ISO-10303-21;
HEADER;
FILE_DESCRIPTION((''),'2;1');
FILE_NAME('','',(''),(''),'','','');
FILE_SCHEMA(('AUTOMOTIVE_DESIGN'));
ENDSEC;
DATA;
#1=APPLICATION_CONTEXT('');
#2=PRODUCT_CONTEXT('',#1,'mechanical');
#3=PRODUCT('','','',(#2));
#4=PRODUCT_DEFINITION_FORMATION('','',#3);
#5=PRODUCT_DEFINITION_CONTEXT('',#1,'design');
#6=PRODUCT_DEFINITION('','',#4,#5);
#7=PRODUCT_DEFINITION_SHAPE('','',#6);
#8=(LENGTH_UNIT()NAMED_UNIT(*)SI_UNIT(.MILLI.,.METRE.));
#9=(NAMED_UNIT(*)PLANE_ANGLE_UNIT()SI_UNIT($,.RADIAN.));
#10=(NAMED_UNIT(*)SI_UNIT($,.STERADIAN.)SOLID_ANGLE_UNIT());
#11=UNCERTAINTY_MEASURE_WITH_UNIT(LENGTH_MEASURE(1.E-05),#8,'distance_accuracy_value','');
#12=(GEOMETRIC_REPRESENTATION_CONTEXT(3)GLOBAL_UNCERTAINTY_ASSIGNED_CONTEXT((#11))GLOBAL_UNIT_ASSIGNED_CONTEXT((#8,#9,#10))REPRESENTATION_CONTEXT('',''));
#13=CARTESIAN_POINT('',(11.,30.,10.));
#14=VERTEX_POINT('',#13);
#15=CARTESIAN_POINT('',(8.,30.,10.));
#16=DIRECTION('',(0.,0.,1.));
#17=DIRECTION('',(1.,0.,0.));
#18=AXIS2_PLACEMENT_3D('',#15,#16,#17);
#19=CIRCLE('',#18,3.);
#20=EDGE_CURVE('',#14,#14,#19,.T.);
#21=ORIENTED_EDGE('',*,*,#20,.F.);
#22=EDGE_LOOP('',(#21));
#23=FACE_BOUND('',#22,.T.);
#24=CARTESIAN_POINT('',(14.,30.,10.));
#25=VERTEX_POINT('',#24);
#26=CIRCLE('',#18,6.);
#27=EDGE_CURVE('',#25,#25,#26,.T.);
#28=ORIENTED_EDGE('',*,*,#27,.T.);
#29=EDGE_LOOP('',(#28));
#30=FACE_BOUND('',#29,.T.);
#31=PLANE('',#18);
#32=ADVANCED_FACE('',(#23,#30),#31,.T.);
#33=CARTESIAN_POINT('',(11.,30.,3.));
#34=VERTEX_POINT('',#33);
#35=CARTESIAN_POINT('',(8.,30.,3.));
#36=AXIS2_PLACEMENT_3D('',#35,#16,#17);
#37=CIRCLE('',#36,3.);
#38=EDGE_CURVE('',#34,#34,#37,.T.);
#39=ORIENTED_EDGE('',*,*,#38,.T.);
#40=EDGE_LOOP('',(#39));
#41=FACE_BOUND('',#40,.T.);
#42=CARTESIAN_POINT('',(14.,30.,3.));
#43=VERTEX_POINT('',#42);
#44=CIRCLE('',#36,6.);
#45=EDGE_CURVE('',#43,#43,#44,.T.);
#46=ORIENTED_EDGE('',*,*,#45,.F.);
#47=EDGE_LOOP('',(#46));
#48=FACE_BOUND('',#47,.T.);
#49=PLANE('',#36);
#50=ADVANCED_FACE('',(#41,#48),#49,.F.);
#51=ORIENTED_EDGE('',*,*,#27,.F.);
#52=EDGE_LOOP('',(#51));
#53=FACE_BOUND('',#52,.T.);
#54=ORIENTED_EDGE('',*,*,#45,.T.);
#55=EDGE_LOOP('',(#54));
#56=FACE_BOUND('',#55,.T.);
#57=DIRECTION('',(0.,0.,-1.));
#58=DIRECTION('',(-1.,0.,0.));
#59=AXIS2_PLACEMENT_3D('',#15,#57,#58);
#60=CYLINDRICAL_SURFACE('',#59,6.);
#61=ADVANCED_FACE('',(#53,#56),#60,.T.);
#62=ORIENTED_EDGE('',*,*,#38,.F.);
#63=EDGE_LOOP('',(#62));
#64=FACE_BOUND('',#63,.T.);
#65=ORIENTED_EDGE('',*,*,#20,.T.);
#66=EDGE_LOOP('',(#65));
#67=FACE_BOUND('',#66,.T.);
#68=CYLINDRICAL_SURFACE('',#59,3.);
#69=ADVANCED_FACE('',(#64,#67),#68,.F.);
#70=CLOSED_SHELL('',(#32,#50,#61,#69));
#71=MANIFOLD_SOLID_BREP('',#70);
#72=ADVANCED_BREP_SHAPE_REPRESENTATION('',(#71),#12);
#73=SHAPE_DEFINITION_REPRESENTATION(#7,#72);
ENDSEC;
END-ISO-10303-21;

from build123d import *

# Parameters (mm, degrees)
EXTRUDE_START   = 3
SKETCH_1_R      = 6
SKETCH_1_R_2    = 3
EXTRUDE_1_DEPTH = 7


with BuildPart() as part:
    # ｽｹｯﾁ1 → ﾎﾞｽ - 押し出し1 (new body)
    with BuildSketch(Plane.XY.offset(EXTRUDE_START)):
        with Locations((8, 30)):
            Circle(SKETCH_1_R)
        with Locations((8, 30)):
            Circle(SKETCH_1_R_2, mode=Mode.SUBTRACT)
    extrude(amount=EXTRUDE_1_DEPTH)


solid = part.part
